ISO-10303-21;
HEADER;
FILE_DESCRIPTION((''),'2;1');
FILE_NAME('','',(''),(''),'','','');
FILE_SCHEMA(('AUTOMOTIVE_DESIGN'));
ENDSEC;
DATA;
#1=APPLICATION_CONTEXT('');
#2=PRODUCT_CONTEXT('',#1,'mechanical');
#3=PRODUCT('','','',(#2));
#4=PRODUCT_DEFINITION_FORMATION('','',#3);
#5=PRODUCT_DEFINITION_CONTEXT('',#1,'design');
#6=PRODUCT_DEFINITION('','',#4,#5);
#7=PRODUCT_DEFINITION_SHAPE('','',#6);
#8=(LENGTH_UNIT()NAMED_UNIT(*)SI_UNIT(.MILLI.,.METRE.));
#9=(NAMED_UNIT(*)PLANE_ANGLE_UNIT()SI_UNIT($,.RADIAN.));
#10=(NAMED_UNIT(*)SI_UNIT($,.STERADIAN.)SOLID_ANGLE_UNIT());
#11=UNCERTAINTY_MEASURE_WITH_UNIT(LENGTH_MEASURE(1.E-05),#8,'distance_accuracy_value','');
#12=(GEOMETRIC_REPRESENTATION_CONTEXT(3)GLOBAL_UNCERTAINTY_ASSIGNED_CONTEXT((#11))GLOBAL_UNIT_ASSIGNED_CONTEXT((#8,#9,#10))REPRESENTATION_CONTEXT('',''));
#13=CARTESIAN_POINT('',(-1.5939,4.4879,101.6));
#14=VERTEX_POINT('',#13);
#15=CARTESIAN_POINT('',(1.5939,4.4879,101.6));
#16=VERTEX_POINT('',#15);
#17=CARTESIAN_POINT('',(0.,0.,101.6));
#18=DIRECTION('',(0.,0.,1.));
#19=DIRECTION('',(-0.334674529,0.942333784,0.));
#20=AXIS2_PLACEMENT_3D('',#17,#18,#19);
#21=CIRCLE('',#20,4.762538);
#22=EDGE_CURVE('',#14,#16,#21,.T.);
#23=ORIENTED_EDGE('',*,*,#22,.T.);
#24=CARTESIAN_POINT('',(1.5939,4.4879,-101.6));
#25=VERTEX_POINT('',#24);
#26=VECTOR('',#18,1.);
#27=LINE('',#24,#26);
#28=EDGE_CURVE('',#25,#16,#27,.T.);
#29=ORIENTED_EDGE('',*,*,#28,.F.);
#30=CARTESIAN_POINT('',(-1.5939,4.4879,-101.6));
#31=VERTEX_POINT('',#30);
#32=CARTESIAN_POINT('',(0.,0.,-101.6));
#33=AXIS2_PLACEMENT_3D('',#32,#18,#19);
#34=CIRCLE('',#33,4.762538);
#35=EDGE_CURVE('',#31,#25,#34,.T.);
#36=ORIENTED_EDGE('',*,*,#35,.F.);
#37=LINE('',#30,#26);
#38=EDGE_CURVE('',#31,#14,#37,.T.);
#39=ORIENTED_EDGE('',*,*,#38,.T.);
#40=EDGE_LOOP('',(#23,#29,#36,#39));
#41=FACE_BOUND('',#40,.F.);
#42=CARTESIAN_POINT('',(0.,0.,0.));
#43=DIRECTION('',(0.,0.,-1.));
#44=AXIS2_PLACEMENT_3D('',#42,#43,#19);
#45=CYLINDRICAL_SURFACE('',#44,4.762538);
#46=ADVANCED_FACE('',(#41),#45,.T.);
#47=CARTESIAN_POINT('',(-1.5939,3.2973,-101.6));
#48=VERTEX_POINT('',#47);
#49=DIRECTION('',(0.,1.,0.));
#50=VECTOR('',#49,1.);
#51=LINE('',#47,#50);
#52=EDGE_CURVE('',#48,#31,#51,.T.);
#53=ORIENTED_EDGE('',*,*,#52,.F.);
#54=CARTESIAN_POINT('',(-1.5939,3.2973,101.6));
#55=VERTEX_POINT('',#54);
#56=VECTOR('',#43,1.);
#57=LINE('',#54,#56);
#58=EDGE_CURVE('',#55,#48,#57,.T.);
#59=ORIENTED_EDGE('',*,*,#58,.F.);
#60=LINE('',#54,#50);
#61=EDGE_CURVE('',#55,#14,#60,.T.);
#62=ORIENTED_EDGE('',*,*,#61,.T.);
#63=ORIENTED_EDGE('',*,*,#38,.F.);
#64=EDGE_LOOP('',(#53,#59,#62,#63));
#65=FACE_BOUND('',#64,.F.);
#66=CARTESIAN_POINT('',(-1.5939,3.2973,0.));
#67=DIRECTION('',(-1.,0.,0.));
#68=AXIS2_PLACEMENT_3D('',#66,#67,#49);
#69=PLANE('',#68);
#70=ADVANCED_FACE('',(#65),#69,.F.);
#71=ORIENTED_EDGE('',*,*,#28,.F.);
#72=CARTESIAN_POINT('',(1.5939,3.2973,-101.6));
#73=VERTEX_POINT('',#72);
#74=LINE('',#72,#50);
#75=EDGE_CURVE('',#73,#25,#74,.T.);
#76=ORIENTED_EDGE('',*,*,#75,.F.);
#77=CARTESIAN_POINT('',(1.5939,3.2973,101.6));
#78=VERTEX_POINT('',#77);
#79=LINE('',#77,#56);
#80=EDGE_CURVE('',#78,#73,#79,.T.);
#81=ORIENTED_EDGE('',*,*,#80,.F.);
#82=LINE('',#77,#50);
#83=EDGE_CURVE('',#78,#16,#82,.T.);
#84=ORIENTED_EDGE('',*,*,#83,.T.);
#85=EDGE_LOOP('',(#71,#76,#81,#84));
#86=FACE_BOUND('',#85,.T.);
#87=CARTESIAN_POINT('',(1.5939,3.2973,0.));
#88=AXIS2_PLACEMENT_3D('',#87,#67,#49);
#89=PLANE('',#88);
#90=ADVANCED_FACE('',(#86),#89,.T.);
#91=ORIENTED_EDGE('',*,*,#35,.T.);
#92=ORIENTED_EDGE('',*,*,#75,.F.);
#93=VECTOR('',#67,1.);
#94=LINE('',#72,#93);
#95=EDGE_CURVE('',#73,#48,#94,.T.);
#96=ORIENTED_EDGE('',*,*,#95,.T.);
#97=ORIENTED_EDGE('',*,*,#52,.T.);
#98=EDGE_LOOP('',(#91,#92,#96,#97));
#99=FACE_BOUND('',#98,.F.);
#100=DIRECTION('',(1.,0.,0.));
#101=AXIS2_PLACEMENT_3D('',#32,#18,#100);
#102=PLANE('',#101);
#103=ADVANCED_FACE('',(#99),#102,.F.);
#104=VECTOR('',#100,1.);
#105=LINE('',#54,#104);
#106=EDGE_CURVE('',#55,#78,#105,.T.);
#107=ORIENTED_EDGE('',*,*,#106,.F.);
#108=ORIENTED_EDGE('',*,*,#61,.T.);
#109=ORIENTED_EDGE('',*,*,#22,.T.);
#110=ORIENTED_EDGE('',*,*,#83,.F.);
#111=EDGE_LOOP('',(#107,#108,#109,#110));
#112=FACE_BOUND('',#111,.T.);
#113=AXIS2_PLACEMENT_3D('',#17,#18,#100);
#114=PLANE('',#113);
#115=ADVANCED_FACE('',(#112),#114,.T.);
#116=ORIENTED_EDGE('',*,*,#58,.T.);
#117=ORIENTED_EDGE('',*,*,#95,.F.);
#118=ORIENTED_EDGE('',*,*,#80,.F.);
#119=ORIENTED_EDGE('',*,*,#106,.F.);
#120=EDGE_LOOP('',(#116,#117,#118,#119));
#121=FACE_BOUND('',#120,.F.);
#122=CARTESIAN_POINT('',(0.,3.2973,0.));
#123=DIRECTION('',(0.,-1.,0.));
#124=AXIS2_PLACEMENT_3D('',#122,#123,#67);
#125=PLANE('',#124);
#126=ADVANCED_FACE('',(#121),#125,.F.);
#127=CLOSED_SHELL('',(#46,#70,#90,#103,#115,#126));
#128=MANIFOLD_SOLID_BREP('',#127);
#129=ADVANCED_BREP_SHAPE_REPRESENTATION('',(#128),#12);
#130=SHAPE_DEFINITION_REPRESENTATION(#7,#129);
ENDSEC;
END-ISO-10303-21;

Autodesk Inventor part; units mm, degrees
ref_plane "YZ Plane" through (0, 0, 0) normal (1, 0, 0) x (0, 1, 0)
ref_plane "XZ Plane" through (0, 0, 0) normal (0, 1, 0) x (-1, 0, 0)
sketch "Sketch1" plane through (0, 0, 0) normal (0, 0, 1) x (1, 0, 0)
  arc A0 (-1.5939, 4.4879) -> (1.5939, 4.4879) centre (0, 0) ccw
  line L0 (0, 3.2973) -> (1.5939, 3.2973)
  line L1 (1.5939, 3.2973) -> (1.5939, 4.4879)
  line L2 (0, 4.7625) -> (0, 3.2973) construction
  line L3 (0, 3.2973) -> (-1.5939, 3.2973)
  line L4 (-1.5939, 3.2973) -> (-1.5939, 4.4879)
  dimension "d0" = 9.525
  dimension "d1" = 1.1906
  dimension "d2" = 1.5939
extrude "Extrusion1" add sketch "Sketch1" along normal mid plane 203.2
properties part number "8x3_8-keyedDriveShaft" material "Aluminum 6061"
